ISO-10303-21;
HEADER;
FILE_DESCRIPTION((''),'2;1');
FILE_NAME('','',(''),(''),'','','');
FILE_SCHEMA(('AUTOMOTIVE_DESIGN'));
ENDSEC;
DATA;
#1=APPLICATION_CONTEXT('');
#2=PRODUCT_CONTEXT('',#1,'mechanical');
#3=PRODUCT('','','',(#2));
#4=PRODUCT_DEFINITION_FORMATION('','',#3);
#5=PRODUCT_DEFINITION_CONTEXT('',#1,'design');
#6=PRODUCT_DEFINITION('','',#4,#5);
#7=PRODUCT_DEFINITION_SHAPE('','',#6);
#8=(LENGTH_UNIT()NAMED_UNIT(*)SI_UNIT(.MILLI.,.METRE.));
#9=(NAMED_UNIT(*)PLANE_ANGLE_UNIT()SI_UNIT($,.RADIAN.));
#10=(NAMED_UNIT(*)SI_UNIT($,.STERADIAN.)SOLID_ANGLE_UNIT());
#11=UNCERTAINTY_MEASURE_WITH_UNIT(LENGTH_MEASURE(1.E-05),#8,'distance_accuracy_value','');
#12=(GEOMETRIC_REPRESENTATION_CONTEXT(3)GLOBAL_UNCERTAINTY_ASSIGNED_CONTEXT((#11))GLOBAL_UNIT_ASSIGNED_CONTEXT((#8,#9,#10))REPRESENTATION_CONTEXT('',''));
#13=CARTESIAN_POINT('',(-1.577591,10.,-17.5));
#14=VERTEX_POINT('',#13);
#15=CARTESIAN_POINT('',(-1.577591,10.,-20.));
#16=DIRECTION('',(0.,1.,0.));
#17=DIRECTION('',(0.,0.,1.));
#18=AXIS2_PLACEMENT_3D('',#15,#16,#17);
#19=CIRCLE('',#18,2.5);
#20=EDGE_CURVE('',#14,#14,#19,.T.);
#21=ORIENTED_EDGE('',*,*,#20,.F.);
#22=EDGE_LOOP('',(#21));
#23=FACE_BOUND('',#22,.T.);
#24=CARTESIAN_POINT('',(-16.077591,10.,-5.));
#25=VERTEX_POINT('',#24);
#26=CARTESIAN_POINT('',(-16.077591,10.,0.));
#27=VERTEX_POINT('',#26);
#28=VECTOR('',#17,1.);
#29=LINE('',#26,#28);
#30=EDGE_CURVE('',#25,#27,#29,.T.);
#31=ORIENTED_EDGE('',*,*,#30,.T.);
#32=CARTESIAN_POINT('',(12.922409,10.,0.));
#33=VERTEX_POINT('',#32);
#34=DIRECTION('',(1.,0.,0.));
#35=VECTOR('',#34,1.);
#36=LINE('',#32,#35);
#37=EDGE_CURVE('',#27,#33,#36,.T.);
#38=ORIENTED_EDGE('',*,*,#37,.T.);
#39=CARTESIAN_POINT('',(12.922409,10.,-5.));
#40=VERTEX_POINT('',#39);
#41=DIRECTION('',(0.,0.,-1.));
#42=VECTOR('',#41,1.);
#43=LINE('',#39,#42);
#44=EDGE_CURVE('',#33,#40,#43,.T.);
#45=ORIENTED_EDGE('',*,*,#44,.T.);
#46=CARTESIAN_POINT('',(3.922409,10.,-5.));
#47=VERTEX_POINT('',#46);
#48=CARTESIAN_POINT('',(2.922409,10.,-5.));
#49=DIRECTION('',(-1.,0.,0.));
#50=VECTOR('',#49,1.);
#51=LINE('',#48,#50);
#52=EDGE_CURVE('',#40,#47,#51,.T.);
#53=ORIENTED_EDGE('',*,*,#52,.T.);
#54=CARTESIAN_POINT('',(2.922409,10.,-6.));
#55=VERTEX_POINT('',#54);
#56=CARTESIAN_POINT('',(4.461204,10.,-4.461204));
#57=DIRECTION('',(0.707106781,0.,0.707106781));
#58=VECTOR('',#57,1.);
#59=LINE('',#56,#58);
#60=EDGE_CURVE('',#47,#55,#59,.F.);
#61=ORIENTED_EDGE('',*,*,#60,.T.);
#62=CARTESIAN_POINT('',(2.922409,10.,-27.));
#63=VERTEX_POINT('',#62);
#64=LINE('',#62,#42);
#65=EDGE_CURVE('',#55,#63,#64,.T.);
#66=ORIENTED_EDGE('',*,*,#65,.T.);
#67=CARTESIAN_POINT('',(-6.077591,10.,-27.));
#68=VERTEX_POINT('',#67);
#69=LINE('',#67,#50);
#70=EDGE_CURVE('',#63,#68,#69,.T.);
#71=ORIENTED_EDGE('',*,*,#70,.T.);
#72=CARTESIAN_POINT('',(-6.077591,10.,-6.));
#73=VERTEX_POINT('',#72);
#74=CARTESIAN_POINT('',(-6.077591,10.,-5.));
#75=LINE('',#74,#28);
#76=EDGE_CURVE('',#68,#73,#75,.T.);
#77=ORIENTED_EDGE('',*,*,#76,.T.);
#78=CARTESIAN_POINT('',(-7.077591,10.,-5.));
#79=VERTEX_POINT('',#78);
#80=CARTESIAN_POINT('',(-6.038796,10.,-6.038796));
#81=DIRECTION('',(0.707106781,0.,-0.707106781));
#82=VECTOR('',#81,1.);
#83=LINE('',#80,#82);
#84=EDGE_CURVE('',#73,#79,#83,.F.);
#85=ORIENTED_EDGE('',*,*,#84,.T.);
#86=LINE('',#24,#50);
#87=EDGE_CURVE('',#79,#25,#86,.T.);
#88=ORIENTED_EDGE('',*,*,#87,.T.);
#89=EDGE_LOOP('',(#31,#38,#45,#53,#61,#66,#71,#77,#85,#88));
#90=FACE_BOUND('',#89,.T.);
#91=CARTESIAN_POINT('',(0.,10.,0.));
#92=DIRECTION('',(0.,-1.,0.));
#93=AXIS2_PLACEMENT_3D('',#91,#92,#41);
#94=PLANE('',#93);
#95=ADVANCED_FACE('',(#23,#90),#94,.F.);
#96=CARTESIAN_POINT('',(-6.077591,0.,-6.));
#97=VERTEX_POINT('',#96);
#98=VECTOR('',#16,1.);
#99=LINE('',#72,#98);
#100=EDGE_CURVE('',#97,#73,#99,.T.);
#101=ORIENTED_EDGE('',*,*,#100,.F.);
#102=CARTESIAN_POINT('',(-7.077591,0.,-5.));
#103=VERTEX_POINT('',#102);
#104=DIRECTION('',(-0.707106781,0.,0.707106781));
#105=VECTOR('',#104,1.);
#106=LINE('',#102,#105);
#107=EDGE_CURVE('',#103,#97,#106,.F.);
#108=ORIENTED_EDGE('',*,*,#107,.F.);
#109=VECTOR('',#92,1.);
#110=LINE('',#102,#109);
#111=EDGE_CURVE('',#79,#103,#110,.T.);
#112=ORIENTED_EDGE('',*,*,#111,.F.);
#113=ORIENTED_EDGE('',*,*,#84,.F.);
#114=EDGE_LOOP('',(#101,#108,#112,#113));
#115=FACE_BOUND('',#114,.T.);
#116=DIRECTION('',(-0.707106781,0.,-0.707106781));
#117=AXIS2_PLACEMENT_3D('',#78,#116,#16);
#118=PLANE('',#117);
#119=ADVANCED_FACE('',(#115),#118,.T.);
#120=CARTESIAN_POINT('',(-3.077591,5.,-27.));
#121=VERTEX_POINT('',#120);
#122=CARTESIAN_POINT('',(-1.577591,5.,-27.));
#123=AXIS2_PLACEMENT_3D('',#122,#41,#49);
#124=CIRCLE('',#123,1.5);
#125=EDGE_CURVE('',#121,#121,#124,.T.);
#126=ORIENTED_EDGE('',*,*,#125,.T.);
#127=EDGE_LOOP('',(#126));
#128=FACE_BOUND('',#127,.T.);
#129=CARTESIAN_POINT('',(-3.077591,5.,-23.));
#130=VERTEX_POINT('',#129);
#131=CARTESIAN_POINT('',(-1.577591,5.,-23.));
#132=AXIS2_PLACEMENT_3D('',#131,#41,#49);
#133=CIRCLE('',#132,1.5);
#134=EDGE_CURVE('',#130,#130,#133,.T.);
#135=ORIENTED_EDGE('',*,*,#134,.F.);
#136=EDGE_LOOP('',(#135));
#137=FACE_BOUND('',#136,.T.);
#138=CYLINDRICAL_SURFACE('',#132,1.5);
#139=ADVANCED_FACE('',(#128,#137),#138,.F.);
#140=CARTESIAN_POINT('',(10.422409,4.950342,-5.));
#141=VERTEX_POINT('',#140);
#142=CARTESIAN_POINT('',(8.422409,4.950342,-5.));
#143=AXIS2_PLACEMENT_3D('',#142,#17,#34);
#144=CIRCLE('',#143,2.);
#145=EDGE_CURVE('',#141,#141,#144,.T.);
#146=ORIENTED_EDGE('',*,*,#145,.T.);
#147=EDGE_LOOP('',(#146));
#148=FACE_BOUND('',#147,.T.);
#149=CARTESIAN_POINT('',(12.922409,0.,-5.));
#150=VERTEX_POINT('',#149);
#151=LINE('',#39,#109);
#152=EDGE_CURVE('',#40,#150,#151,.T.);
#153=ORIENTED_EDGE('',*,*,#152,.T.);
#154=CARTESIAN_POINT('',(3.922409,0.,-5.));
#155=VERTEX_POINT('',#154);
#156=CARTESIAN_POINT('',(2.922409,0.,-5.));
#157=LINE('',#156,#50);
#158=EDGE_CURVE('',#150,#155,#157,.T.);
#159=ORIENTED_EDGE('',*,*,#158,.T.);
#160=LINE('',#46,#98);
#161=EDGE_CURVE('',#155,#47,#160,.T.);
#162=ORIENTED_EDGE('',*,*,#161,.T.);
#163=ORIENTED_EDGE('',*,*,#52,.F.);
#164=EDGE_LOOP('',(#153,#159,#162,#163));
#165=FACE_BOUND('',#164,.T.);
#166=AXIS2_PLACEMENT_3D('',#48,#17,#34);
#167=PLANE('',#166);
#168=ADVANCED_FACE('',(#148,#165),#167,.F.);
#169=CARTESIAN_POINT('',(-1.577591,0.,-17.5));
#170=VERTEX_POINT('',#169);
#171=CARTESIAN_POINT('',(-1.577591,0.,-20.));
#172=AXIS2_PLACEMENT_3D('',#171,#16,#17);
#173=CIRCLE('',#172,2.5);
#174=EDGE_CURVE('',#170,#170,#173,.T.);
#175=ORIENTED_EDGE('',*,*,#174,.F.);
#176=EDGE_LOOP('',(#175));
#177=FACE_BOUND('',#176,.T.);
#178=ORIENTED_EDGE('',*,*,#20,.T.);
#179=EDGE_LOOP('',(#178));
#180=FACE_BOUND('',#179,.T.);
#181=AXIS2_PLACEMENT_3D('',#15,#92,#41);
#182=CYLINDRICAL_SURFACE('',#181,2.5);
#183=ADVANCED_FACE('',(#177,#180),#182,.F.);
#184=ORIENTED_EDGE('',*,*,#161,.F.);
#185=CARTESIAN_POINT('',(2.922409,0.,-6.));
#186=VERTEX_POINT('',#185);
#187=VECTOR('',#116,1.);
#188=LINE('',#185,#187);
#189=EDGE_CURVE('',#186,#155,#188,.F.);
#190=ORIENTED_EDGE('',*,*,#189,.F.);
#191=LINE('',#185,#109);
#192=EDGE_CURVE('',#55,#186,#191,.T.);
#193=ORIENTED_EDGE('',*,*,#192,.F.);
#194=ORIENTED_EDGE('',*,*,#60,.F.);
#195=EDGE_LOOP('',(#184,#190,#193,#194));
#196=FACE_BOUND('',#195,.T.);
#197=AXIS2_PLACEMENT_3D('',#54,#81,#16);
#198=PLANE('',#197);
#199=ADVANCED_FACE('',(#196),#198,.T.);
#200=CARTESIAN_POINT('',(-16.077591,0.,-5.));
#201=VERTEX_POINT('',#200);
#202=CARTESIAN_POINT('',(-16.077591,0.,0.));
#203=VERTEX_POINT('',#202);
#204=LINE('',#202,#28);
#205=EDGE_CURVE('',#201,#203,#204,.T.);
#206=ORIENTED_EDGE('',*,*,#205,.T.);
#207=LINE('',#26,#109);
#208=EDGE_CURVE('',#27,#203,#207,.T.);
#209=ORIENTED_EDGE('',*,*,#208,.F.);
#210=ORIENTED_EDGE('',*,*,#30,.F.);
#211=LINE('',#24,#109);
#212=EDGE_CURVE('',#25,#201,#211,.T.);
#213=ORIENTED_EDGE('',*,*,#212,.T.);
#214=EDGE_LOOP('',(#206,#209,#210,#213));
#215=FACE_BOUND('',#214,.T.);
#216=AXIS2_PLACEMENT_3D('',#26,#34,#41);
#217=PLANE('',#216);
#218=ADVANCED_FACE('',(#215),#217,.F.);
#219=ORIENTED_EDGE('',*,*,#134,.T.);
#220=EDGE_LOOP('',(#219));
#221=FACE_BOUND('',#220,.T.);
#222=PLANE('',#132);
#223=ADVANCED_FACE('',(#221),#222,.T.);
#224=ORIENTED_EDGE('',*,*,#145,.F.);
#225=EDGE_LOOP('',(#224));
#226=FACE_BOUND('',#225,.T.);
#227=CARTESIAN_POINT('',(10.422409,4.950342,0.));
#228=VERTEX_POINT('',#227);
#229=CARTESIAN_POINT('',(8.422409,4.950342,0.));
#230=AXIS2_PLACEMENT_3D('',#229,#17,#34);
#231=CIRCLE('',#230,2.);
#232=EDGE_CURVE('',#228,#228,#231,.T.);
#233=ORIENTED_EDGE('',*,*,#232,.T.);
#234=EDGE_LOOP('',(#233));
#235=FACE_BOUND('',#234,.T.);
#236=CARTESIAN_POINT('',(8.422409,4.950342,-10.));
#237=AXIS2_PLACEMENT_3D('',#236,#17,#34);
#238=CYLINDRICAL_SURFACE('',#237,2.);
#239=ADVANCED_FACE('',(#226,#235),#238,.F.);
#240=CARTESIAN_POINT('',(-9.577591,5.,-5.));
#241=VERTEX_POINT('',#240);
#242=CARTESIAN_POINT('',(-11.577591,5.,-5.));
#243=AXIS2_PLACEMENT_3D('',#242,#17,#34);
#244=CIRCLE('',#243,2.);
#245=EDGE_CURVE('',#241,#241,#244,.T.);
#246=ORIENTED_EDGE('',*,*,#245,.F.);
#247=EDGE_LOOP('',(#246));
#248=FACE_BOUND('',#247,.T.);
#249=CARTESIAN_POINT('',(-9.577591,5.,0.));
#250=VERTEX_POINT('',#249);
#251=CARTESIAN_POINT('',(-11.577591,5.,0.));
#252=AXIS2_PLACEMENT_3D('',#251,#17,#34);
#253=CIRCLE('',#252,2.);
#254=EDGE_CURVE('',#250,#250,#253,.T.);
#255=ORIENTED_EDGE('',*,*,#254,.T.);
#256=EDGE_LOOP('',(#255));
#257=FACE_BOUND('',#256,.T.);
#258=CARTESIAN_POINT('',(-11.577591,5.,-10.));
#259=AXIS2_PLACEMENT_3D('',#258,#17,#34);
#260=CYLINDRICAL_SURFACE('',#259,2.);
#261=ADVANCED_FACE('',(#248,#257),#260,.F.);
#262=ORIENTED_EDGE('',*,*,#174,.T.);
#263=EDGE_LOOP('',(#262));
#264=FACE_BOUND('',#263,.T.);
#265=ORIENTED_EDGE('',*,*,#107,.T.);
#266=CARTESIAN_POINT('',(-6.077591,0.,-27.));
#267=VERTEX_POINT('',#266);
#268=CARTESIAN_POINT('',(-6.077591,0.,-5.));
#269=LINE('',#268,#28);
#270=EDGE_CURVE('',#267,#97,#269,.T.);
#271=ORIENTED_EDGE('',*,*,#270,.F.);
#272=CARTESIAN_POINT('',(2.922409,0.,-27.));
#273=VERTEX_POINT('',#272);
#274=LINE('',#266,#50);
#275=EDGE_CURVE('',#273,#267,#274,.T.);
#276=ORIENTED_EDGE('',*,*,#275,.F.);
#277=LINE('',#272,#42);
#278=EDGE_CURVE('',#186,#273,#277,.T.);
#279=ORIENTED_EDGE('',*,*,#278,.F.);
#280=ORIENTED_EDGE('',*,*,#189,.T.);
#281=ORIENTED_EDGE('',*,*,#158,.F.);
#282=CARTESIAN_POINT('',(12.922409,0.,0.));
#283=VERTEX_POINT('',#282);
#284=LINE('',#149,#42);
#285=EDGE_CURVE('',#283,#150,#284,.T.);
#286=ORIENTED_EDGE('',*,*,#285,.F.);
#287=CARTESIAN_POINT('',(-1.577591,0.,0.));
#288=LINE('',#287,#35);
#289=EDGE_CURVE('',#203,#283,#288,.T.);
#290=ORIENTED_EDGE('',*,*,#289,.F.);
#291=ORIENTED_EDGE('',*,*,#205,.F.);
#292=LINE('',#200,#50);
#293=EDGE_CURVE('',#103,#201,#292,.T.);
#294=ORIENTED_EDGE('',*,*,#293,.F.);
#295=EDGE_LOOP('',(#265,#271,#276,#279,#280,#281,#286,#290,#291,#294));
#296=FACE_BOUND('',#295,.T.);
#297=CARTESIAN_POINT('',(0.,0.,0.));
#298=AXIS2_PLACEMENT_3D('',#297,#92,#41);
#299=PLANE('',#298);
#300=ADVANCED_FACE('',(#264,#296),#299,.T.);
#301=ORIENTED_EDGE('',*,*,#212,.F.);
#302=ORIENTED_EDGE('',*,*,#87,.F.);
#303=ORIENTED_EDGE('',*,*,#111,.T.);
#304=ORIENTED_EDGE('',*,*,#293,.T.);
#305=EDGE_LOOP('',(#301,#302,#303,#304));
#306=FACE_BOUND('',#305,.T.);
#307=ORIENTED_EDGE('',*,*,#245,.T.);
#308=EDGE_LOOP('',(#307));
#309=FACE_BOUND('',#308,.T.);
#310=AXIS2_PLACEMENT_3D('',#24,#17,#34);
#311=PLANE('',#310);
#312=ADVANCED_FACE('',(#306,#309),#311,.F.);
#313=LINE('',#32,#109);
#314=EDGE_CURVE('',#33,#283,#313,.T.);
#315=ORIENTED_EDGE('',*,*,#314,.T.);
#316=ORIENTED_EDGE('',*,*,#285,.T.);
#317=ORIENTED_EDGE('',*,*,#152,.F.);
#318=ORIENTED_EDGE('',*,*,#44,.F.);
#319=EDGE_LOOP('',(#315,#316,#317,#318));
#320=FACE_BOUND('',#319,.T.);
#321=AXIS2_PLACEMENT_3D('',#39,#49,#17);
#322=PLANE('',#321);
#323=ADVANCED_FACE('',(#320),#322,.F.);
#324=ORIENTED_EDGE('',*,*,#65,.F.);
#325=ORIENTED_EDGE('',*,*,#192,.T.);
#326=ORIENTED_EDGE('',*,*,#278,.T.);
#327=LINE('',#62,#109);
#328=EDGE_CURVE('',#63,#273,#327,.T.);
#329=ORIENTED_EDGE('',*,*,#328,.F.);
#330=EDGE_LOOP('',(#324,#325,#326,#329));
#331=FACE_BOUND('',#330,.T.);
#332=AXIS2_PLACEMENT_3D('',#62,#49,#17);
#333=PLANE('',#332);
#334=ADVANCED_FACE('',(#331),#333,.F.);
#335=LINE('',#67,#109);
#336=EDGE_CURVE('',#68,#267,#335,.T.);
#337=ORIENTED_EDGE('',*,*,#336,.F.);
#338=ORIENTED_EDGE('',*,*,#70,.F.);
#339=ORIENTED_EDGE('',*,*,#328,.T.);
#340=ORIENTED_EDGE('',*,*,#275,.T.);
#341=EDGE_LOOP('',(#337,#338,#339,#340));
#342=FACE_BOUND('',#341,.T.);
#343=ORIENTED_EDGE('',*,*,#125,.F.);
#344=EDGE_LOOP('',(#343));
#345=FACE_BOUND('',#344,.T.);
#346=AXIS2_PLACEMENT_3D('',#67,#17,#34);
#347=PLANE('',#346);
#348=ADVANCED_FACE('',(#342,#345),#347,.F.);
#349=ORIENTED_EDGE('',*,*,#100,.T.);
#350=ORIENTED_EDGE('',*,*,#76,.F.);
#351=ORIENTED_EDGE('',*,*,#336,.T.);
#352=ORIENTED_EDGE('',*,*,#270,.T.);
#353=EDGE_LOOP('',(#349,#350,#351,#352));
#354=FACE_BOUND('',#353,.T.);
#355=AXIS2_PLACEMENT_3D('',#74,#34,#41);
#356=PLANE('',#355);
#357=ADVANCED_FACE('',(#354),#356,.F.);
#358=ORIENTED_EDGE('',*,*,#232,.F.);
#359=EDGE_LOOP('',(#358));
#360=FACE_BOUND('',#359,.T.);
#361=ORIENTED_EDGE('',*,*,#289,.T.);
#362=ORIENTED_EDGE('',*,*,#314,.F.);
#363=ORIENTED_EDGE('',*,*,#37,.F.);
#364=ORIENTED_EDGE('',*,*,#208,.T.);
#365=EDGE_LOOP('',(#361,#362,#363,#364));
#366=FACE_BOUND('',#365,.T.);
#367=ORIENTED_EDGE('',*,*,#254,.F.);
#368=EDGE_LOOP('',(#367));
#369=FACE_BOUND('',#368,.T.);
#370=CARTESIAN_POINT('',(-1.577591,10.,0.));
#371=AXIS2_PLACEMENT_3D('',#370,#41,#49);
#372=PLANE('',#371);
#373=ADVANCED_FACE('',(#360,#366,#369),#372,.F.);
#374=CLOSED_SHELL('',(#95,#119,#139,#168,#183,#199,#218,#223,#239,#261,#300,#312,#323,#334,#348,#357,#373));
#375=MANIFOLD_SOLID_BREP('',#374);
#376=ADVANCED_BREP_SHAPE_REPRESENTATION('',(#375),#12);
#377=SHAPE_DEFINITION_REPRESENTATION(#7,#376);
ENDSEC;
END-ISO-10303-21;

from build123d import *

# Parameters (mm, degrees)
SKETCH1_R           = 2.5
BOSS_EXTRUDE1_DEPTH = 10
SKETCH2_R           = 2
CUT_EXTRUDE1_DEPTH  = 10
SKETCH3_R           = 1.5
CUT_EXTRUDE2_DEPTH  = 4
CHAMFER1_SIZE       = 1


with BuildPart() as part:
    # Sketch1 → Boss-Extrude1 (new body)
    with BuildSketch(Plane(origin=(0, 0, 0), x_dir=(1, 0, 0), z_dir=(0, 1, 0))):
        Polygon((-1.577591036, 0), (-16.077591036, 0), (-16.077591036, 5), (-6.077591036, 5), (-6.077591036, 27), (2.922408964, 27), (2.922408964, 5), (12.922408964, 5), (12.922408964, 0), align=None)
        with Locations((-1.577591036, 20)):
            Circle(SKETCH1_R, mode=Mode.SUBTRACT)
    extrude(amount=BOSS_EXTRUDE1_DEPTH)

    # Sketch2 → Cut-Extrude1 (cut)
    with BuildSketch(Plane.XY):
        with Locations((-11.577591036, 5)):
            Circle(SKETCH2_R)
        with Locations((8.422408964, 4.9503422)):
            Circle(SKETCH2_R)
    extrude(amount=-CUT_EXTRUDE1_DEPTH, mode=Mode.SUBTRACT)

    # Sketch3 → Cut-Extrude2 (cut)
    with BuildSketch(Plane(origin=(0, 0, -27), x_dir=(-1, 0, 0), z_dir=(0, 0, -1))):
        with Locations((1.577591036, 5)):
            Circle(SKETCH3_R)
    extrude(amount=-CUT_EXTRUDE2_DEPTH, mode=Mode.SUBTRACT)

    # Chamfer1
    chamfer1_edges = [part.edges().sort_by_distance(p)[0] for p in [
        (-6.077591036, 5, -5),
        (2.922408964, 5, -5),
    ]]
    chamfer(chamfer1_edges, length=CHAMFER1_SIZE)


solid = part.part
